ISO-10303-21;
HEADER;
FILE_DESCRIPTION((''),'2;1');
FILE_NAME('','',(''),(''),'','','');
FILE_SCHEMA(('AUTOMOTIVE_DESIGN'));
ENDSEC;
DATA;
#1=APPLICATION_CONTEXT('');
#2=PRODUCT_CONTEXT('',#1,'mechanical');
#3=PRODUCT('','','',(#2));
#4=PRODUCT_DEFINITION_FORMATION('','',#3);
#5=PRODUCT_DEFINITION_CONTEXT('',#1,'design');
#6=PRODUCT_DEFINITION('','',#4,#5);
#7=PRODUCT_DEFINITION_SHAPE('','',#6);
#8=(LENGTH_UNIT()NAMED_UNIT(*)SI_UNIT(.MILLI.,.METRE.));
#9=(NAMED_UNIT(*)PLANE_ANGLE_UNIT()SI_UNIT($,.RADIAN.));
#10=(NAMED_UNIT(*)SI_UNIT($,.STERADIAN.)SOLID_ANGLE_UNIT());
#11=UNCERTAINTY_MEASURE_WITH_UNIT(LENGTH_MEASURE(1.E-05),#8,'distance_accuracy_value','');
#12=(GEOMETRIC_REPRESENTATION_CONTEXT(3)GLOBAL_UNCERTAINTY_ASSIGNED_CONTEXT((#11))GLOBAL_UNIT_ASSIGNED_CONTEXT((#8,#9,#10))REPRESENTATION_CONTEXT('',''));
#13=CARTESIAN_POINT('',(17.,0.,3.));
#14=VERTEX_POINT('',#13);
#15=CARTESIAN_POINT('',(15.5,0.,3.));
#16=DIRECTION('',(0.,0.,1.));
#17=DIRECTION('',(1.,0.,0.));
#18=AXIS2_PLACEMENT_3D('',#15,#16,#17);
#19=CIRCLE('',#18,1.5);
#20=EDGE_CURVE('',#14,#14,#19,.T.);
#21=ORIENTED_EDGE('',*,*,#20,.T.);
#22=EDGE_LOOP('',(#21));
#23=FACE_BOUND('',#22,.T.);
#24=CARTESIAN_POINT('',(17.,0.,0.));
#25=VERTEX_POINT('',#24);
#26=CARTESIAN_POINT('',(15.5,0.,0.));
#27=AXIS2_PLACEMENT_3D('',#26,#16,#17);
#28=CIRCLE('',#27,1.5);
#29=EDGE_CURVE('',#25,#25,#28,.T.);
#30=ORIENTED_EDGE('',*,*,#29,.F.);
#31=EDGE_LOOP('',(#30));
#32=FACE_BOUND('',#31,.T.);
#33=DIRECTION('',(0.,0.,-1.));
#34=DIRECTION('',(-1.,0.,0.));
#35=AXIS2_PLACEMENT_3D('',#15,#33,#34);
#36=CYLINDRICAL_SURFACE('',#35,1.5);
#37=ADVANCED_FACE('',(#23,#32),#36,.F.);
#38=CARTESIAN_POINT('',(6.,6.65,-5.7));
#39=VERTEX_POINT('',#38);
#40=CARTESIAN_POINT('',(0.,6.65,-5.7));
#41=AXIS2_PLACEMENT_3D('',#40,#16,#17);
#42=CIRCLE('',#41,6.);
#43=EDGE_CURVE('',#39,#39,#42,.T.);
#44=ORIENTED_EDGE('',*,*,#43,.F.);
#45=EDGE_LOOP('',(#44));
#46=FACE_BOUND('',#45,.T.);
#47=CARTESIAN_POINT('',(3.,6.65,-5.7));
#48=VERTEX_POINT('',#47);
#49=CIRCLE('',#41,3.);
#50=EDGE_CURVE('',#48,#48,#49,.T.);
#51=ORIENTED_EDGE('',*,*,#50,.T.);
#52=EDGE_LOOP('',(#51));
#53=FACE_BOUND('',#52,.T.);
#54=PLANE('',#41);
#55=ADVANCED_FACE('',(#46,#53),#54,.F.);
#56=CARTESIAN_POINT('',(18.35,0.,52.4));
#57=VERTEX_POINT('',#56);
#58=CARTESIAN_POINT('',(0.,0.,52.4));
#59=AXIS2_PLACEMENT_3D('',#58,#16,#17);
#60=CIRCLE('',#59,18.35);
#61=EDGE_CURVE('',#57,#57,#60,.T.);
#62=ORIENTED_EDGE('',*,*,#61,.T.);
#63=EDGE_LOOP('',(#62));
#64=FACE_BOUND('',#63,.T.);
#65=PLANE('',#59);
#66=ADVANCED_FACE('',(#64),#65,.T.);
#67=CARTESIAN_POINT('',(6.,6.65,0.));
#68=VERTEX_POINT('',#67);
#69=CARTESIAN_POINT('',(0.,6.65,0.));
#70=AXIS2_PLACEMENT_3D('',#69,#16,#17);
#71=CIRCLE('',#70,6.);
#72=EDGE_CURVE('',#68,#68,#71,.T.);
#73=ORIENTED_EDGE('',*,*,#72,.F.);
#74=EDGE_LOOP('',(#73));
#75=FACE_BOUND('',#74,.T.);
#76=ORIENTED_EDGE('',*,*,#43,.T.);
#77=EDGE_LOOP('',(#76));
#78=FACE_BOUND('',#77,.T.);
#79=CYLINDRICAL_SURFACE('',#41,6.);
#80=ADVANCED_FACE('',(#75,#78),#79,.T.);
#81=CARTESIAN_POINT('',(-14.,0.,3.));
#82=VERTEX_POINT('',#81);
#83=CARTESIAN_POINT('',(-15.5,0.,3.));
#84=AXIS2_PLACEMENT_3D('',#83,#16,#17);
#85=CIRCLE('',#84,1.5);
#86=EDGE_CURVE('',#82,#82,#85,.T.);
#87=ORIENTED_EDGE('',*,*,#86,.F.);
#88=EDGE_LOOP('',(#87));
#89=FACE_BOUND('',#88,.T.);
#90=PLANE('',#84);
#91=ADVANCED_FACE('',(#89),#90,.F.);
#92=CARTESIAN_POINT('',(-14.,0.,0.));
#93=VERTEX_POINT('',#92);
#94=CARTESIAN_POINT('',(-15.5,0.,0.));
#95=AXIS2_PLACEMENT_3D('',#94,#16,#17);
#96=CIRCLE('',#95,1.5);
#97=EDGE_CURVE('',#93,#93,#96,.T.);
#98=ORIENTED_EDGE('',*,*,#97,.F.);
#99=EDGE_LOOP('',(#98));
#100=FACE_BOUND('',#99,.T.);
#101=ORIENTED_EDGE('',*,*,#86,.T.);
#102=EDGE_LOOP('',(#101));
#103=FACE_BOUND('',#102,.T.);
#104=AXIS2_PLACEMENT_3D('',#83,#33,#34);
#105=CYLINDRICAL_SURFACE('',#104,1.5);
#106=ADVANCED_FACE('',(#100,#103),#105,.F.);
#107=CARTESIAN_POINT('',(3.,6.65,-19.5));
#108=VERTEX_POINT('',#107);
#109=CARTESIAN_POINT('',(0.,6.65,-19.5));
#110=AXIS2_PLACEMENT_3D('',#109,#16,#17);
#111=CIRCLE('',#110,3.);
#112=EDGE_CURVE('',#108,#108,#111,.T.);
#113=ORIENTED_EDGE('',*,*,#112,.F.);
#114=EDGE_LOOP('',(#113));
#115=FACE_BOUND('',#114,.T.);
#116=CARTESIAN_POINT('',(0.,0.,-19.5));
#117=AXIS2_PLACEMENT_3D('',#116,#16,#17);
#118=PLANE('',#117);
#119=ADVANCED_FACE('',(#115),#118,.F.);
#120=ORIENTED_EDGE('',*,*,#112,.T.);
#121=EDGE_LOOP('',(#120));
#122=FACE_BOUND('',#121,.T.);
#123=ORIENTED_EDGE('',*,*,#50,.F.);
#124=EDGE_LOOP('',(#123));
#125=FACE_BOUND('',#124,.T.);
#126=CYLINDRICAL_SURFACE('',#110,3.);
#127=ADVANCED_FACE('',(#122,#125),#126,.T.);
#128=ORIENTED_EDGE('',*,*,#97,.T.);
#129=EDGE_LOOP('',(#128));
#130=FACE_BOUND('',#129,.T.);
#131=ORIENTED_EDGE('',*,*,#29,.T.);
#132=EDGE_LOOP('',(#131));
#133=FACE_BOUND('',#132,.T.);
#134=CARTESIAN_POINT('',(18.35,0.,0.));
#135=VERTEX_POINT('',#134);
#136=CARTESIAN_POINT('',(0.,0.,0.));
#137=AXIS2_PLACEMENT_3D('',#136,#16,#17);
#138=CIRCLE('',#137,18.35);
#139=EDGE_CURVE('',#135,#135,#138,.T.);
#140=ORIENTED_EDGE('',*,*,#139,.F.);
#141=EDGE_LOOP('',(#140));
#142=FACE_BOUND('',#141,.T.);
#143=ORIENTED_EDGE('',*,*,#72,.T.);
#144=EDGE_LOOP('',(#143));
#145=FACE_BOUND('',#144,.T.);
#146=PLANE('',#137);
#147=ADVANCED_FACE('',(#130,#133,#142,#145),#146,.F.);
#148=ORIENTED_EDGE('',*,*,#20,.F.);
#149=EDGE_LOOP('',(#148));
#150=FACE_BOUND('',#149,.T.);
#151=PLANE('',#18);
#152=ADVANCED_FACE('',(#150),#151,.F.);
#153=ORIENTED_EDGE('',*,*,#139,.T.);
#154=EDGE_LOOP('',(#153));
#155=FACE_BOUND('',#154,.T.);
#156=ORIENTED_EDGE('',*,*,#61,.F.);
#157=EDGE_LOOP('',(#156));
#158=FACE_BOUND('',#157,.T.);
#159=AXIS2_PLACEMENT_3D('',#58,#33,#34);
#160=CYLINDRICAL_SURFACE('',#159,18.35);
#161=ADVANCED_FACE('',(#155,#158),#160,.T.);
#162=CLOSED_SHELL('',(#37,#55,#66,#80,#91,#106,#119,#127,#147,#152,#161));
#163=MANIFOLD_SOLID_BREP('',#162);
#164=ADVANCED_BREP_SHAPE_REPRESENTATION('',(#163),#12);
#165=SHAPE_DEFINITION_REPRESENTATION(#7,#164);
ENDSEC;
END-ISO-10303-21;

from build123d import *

# Parameters (mm, degrees)
SKETCH_1_R          = 18.35
EXTRUDE_1_DEPTH     = 52.4
SKETCH_1_4_R        = 6
EXTRUDE_2_DEPTH     = 5.7
SKETCH_1_5_R        = 3
EXTRUDE_3_DEPTH     = 19.5
SKETCH_1_6_R        = 1.5
CUT_EXTRUDE_1_DEPTH = 3


with BuildPart() as part:
    # 草图1 → 凸台-拉伸1 (new body)
    with BuildSketch(Plane.XY):
        Circle(SKETCH_1_R)
    extrude(amount=EXTRUDE_1_DEPTH)

    # 草图1<4> → 凸台-拉伸2 (add)
    with BuildSketch(Plane.XY):
        with Locations((0, 6.65)):
            Circle(SKETCH_1_4_R)
    extrude(amount=-EXTRUDE_2_DEPTH)

    # 草图1<5> → 凸台-拉伸3 (add)
    with BuildSketch(Plane.XY):
        with Locations((0, 6.65)):
            Circle(SKETCH_1_5_R)
    extrude(amount=-EXTRUDE_3_DEPTH)

    # 草图1<6> → 切除-拉伸1 (cut)
    with BuildSketch(Plane.XY):
        with Locations((-15.5, 0)):
            Circle(SKETCH_1_6_R)
        with Locations((15.5, 0)):
            Circle(SKETCH_1_6_R)
    extrude(amount=CUT_EXTRUDE_1_DEPTH, mode=Mode.SUBTRACT)


solid = part.part
